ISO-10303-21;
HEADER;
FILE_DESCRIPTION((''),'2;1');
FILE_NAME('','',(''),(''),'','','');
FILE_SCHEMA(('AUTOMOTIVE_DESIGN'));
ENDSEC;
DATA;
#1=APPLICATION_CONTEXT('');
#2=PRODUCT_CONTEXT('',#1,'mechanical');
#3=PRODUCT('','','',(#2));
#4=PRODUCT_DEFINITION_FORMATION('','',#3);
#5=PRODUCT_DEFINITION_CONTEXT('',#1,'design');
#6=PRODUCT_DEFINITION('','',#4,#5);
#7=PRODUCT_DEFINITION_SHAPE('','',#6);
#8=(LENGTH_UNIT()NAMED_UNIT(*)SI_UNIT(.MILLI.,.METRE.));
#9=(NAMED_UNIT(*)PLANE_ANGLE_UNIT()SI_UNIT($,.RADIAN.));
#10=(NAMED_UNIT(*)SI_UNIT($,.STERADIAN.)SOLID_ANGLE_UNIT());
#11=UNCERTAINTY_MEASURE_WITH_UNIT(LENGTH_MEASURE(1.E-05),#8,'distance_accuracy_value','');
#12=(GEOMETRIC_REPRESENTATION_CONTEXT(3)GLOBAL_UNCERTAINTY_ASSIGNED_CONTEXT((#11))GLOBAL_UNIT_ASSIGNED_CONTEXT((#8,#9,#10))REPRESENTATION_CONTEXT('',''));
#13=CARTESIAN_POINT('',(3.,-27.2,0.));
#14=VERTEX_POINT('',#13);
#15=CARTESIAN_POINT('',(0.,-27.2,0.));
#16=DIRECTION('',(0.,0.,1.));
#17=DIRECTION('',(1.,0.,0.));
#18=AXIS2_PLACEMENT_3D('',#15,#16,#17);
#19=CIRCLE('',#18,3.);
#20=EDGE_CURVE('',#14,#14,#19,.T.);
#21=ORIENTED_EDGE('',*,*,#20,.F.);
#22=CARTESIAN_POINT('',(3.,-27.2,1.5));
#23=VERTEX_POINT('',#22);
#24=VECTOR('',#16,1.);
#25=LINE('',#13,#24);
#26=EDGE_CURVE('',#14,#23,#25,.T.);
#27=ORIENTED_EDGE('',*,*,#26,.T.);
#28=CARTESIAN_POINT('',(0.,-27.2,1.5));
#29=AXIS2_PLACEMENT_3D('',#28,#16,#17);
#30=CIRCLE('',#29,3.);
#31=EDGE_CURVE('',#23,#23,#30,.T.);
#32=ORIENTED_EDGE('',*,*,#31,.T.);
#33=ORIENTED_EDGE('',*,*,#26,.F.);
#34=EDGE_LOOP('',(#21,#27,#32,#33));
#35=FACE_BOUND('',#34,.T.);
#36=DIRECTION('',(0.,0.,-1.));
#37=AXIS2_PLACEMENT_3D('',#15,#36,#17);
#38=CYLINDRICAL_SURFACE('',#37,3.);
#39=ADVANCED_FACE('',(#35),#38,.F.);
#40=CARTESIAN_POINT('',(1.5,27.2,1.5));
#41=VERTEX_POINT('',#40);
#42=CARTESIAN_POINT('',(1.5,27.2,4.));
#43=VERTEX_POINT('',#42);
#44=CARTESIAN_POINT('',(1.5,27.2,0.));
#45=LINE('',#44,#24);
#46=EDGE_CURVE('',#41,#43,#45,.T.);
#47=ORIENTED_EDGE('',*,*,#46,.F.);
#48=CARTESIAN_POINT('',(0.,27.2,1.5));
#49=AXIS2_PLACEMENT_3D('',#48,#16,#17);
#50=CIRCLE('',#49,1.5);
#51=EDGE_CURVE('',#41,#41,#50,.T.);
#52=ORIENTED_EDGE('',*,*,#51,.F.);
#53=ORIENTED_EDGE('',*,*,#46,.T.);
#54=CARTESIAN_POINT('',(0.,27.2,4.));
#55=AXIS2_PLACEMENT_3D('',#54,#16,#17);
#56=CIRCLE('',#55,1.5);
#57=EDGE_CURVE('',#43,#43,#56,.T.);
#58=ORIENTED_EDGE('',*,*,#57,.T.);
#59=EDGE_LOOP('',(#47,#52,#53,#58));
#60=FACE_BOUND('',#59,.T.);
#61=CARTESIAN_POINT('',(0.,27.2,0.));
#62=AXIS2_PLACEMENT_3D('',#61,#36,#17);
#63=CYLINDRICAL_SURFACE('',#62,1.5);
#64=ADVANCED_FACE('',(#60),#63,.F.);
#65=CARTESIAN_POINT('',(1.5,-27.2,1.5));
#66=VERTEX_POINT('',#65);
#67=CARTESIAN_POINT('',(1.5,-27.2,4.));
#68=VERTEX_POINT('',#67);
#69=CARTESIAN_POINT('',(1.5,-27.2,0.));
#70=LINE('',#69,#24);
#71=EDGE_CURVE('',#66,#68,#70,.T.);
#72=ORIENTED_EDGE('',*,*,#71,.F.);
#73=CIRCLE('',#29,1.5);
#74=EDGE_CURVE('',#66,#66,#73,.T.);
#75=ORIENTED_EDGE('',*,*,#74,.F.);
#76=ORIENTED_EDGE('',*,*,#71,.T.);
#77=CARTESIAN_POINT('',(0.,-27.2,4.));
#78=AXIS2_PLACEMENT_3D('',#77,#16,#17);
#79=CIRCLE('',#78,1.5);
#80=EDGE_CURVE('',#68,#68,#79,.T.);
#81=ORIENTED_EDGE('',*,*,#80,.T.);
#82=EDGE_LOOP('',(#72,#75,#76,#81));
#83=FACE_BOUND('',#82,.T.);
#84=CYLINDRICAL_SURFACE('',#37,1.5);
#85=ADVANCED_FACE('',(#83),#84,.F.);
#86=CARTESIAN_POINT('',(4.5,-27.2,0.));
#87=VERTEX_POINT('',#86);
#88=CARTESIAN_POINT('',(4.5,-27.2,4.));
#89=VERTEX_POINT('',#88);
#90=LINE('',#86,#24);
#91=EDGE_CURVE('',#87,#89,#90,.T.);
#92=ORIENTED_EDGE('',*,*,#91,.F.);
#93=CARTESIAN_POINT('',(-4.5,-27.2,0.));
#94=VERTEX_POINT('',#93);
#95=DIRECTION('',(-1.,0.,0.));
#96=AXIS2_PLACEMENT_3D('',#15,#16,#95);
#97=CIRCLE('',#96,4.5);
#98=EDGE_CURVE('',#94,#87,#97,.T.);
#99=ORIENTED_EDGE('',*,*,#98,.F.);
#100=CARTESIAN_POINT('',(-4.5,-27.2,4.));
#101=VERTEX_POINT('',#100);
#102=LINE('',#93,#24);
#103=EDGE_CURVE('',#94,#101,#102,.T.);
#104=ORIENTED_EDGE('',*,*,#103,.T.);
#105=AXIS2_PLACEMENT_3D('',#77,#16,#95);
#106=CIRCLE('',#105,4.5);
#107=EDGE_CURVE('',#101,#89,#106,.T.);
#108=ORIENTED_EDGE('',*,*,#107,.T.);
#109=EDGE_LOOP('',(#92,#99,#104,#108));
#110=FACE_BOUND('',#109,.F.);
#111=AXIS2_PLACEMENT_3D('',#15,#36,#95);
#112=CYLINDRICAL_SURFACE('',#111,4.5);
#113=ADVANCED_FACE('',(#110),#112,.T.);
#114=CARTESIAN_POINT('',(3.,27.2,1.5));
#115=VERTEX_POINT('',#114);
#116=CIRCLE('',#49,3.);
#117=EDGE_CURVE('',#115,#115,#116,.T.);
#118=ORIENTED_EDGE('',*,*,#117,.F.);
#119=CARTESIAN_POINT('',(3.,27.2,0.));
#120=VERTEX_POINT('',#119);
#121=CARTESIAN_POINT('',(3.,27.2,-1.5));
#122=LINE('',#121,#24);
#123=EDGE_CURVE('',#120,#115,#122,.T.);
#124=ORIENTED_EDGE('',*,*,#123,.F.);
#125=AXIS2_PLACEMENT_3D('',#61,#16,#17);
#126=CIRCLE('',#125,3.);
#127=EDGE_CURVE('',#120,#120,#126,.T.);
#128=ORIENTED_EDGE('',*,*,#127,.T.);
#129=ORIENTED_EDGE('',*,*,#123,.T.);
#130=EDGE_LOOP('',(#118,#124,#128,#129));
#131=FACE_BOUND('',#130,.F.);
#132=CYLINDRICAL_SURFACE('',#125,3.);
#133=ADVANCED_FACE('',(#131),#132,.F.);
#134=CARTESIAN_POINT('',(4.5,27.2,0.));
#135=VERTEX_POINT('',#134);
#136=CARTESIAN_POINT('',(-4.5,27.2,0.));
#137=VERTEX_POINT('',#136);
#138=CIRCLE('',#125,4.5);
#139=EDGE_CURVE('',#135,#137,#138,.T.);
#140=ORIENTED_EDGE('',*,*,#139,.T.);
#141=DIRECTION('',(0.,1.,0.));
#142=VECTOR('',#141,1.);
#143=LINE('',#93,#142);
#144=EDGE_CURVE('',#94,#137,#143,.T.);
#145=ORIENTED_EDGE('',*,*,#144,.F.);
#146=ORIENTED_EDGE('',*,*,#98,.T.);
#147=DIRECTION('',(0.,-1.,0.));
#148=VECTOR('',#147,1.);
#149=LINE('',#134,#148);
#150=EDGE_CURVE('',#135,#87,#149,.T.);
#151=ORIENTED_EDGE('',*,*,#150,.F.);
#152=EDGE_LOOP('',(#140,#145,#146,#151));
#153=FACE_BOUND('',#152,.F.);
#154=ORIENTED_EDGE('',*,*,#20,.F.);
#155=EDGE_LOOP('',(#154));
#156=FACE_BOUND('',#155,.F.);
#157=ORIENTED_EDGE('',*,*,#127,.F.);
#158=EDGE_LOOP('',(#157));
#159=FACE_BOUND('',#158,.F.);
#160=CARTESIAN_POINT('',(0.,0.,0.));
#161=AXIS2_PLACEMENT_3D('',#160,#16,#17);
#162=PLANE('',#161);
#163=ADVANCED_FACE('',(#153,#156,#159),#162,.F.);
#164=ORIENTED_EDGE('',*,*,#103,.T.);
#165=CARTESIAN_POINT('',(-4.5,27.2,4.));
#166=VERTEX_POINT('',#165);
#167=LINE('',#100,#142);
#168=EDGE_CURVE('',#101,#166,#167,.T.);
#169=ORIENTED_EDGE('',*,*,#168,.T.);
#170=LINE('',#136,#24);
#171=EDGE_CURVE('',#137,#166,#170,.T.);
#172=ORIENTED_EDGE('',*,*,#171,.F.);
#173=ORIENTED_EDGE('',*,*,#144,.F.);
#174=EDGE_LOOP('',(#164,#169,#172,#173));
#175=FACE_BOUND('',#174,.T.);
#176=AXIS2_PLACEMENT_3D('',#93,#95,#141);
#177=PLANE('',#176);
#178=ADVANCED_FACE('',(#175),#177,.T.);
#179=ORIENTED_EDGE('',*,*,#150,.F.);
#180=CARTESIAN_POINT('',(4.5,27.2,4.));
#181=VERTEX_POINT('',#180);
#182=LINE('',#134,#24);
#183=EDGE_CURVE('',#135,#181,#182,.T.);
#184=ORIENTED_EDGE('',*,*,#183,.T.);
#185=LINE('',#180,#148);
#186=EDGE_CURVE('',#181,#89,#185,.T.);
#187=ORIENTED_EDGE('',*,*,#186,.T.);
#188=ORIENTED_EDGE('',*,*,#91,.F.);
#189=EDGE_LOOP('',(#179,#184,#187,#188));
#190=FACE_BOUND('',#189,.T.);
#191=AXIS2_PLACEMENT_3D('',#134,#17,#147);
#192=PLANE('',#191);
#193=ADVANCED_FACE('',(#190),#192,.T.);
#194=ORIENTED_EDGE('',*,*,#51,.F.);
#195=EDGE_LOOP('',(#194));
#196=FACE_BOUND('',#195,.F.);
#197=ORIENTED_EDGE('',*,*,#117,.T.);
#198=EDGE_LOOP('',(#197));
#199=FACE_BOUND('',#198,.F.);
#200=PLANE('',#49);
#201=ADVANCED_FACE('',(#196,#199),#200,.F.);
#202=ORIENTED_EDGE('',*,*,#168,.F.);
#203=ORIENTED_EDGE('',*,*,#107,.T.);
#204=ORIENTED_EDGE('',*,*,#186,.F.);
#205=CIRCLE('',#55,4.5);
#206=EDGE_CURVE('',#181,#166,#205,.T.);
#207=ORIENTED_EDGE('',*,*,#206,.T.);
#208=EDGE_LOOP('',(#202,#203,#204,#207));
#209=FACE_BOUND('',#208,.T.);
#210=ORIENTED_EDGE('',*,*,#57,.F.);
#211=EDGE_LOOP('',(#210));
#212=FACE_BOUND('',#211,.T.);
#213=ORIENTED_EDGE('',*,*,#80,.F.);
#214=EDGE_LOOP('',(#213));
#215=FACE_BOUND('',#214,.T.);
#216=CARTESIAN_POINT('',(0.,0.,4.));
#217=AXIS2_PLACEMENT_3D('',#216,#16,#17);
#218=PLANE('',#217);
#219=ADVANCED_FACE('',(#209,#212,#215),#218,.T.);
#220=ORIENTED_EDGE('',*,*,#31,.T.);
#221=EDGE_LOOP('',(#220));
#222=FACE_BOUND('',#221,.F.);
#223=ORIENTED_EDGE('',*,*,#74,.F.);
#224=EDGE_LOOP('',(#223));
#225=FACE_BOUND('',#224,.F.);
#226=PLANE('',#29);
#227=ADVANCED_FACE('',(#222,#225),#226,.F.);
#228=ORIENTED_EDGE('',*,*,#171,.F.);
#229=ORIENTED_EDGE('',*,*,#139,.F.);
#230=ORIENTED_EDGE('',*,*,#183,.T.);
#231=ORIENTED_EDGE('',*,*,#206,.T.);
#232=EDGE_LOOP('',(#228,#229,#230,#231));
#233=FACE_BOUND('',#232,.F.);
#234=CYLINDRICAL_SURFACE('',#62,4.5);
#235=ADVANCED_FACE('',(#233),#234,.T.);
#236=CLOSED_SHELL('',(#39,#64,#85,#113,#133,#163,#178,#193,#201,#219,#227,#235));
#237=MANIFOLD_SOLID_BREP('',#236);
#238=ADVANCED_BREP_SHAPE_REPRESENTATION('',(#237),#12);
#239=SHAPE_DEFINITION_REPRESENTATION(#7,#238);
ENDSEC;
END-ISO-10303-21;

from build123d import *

# Parameters (mm, degrees)
SKETCH_R      = 1.5
PAD_DEPTH     = 4
SKETCH001_R   = 3
SKETCH001_R_2 = 1.5
POCKET_DEPTH  = 1.5


with BuildPart() as part:
    # Sketch → Pad (new body)
    with BuildSketch(Plane.XY):
        with BuildLine():
            ThreePointArc((4.5, 27.2), (0, 31.7), (-4.5, 27.2))
            Line((-4.5, -27.2), (-4.5, 27.2))
            ThreePointArc((-4.5, -27.2), (0, -31.7), (4.5, -27.2))
            Line((4.5, 27.2), (4.5, -27.2))
        make_face()
        with Locations((0, 27.2)):
            Circle(SKETCH_R, mode=Mode.SUBTRACT)
        with Locations((0, -27.2)):
            Circle(SKETCH_R, mode=Mode.SUBTRACT)
    extrude(amount=PAD_DEPTH)

    # Sketch001 → Pocket (cut, symmetric)
    with BuildSketch(Plane.XY):
        with Locations((0, -27.2)):
            Circle(SKETCH001_R)
        with Locations((0, -27.2)):
            Circle(SKETCH001_R_2, mode=Mode.SUBTRACT)
        with Locations((0, 27.2)):
            Circle(SKETCH001_R)
        with Locations((0, 27.2)):
            Circle(SKETCH001_R_2, mode=Mode.SUBTRACT)
    extrude(amount=POCKET_DEPTH, both=True, mode=Mode.SUBTRACT)


solid = part.part
